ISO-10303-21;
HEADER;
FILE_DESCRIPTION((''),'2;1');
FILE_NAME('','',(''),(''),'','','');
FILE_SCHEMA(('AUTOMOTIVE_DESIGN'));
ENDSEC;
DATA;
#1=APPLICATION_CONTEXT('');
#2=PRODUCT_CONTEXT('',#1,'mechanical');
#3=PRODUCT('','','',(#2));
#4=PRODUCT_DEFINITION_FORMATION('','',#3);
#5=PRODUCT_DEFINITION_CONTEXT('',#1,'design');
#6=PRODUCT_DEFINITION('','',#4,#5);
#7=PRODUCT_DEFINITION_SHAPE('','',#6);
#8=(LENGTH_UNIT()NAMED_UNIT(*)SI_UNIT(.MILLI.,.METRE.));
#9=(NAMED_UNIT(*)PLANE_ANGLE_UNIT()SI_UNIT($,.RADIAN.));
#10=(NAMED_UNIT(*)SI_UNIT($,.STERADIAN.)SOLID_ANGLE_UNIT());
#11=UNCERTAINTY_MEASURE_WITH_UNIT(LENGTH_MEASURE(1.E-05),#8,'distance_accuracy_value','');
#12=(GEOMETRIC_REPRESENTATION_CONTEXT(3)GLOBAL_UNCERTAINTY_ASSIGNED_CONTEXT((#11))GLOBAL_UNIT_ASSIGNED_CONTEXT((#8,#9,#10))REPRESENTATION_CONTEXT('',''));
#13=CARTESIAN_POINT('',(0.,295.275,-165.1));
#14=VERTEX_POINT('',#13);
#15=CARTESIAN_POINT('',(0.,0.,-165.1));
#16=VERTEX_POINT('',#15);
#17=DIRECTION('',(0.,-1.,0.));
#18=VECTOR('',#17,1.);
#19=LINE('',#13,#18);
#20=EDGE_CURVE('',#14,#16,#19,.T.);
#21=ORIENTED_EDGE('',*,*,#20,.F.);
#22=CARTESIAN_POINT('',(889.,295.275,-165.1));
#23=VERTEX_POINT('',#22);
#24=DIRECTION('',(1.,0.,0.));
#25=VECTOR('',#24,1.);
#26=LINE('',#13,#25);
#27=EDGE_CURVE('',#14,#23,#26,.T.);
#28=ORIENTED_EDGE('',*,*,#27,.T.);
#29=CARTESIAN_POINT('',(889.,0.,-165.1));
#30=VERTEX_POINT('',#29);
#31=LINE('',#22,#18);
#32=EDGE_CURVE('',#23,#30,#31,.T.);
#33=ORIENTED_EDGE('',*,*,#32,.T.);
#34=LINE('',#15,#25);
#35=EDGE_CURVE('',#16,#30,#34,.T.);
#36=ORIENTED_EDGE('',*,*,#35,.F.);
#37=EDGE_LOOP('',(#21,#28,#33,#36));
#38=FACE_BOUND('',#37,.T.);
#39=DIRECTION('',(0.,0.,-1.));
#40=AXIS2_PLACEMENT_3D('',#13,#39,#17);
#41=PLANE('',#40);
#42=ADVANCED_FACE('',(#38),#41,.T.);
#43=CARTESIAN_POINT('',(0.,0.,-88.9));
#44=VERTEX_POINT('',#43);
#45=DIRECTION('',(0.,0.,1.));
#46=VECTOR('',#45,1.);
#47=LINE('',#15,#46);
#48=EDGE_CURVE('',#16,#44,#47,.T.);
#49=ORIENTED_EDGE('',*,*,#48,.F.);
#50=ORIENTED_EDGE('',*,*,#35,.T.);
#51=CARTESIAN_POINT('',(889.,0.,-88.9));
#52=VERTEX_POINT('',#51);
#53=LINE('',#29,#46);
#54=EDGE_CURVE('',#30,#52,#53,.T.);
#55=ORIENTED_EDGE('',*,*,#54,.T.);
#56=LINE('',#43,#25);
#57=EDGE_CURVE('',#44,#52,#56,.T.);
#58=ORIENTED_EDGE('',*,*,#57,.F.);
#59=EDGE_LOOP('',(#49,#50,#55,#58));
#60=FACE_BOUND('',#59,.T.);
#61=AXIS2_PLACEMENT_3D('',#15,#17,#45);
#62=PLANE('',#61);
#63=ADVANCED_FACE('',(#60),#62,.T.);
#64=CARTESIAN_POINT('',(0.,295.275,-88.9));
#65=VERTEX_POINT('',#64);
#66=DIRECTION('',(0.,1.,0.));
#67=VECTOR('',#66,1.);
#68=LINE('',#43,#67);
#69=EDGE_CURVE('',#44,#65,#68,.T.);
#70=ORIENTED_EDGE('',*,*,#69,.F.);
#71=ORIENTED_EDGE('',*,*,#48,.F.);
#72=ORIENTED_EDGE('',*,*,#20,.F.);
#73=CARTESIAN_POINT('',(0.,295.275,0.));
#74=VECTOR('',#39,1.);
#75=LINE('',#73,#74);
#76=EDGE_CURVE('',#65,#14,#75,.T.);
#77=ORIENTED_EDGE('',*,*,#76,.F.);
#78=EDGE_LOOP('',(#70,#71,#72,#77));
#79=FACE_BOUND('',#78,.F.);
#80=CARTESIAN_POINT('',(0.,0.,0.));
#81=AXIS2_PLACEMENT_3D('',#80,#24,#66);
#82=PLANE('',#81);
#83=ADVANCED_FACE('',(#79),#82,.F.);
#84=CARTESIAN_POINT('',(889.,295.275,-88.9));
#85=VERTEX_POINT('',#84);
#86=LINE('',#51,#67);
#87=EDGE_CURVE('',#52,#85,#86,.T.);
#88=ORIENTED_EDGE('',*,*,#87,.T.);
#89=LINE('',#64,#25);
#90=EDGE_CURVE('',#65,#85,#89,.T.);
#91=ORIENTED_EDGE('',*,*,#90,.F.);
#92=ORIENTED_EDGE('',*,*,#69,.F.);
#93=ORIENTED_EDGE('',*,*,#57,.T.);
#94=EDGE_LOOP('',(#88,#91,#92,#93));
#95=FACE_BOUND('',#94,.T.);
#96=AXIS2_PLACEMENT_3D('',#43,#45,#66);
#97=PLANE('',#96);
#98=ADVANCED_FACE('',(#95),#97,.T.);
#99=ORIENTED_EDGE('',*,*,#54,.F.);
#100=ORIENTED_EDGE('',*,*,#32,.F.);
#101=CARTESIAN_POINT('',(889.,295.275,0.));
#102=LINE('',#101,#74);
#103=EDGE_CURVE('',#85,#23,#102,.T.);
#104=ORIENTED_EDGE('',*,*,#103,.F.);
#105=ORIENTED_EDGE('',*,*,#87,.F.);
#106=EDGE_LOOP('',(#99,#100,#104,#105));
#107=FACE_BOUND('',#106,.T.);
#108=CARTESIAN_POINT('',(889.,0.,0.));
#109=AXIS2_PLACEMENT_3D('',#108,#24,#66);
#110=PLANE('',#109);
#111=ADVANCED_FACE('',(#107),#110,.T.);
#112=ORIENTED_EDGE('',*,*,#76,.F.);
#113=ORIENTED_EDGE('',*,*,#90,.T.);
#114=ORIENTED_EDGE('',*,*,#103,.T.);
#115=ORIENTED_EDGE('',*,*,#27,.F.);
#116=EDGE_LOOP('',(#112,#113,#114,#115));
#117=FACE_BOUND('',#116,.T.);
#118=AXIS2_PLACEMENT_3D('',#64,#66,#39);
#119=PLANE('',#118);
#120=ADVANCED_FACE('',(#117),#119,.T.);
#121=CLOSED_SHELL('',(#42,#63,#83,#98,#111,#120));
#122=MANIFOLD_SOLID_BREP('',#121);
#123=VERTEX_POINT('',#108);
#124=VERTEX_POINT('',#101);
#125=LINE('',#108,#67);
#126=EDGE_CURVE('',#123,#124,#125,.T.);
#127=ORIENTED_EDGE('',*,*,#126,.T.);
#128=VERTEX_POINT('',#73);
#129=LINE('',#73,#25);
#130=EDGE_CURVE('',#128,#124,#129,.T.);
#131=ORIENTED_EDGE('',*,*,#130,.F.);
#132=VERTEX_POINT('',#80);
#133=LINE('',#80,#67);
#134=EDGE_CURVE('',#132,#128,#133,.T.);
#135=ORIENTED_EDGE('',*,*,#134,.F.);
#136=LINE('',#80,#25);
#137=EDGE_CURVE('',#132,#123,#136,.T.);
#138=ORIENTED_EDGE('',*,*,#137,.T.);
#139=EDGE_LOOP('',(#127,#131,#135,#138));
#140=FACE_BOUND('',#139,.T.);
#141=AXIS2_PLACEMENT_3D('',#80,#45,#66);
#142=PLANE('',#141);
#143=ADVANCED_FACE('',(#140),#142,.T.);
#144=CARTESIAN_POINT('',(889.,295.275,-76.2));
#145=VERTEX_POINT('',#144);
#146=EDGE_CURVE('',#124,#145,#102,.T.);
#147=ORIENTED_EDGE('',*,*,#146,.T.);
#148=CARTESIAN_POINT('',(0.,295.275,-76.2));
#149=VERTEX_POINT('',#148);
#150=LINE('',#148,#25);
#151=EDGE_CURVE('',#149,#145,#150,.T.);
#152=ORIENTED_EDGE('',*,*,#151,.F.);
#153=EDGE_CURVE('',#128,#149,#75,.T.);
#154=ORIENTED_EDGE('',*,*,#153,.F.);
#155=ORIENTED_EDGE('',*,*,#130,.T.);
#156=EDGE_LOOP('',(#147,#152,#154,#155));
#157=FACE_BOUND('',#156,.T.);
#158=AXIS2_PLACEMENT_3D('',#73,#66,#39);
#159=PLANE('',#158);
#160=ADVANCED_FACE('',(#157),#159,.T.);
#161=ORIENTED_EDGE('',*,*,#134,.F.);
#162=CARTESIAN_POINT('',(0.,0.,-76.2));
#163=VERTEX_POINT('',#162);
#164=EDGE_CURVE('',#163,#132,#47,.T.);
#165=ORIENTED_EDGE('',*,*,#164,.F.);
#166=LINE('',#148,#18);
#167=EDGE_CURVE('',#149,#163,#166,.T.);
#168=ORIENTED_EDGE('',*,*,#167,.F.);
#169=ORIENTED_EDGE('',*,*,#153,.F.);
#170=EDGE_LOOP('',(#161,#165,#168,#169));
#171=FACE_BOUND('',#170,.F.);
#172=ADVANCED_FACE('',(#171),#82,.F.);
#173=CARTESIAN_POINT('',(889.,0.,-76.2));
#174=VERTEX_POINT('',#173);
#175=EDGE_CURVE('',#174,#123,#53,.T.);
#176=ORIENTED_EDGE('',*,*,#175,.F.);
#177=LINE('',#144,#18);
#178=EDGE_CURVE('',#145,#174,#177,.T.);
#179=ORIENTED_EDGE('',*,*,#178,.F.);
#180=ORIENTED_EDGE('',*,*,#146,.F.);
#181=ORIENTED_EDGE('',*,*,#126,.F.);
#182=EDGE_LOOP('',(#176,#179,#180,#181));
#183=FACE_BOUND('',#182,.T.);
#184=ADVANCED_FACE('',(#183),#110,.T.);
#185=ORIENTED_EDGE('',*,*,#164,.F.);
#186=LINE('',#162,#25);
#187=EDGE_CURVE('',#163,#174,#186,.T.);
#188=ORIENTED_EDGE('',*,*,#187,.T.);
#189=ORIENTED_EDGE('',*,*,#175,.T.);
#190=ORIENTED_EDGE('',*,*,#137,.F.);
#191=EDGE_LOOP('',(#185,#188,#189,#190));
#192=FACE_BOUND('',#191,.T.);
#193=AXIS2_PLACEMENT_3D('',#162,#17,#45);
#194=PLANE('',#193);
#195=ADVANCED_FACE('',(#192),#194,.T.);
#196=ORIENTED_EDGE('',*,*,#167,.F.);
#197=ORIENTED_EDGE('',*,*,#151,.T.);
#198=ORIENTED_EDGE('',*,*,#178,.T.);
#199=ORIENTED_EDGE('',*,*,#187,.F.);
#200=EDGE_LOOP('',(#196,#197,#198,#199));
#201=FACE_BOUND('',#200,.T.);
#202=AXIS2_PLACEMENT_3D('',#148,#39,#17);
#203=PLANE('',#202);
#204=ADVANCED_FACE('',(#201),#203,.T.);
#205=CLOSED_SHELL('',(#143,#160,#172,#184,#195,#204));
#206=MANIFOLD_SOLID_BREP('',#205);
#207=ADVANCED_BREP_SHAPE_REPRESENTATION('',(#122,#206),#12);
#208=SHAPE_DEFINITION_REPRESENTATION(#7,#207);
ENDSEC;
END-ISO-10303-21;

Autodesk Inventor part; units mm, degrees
ref_plane "YZ Plane" through (0, 0, 0) normal (1, 0, 0) x (0, 1, 0)
ref_plane "XZ Plane" through (0, 0, 0) normal (0, 1, 0) x (-1, 0, 0)
ref_plane "XY Plane" through (0, 0, 0) normal (0, 0, 1) x (1, 0, 0)
sketch "Sketch2" plane through (0, 0, 0) normal (1, 0, 0) x (0, 1, 0)
  line L0 (0, 0) -> (295.275, 0)
  line L1 (295.275, 0) -> (295.275, -165.1)
  line L2 (295.275, -165.1) -> (0, -165.1)
  line L3 (0, -165.1) -> (0, 0)
  line L4 (295.275, -82.55) -> (0, -82.55) construction
  line L5 (295.275, -76.2) -> (0, -76.2)
  line L6 (0, -88.9) -> (295.275, -88.9)
  dimension "d3" = 295.275
  dimension "d4" = 165.1
  dimension "d5" = 12.7
extrude "Extrusion1" add sketch "Sketch2" along normal blind 889 contours L0 L1 L5 L3 | L6 L1 L2 L3
